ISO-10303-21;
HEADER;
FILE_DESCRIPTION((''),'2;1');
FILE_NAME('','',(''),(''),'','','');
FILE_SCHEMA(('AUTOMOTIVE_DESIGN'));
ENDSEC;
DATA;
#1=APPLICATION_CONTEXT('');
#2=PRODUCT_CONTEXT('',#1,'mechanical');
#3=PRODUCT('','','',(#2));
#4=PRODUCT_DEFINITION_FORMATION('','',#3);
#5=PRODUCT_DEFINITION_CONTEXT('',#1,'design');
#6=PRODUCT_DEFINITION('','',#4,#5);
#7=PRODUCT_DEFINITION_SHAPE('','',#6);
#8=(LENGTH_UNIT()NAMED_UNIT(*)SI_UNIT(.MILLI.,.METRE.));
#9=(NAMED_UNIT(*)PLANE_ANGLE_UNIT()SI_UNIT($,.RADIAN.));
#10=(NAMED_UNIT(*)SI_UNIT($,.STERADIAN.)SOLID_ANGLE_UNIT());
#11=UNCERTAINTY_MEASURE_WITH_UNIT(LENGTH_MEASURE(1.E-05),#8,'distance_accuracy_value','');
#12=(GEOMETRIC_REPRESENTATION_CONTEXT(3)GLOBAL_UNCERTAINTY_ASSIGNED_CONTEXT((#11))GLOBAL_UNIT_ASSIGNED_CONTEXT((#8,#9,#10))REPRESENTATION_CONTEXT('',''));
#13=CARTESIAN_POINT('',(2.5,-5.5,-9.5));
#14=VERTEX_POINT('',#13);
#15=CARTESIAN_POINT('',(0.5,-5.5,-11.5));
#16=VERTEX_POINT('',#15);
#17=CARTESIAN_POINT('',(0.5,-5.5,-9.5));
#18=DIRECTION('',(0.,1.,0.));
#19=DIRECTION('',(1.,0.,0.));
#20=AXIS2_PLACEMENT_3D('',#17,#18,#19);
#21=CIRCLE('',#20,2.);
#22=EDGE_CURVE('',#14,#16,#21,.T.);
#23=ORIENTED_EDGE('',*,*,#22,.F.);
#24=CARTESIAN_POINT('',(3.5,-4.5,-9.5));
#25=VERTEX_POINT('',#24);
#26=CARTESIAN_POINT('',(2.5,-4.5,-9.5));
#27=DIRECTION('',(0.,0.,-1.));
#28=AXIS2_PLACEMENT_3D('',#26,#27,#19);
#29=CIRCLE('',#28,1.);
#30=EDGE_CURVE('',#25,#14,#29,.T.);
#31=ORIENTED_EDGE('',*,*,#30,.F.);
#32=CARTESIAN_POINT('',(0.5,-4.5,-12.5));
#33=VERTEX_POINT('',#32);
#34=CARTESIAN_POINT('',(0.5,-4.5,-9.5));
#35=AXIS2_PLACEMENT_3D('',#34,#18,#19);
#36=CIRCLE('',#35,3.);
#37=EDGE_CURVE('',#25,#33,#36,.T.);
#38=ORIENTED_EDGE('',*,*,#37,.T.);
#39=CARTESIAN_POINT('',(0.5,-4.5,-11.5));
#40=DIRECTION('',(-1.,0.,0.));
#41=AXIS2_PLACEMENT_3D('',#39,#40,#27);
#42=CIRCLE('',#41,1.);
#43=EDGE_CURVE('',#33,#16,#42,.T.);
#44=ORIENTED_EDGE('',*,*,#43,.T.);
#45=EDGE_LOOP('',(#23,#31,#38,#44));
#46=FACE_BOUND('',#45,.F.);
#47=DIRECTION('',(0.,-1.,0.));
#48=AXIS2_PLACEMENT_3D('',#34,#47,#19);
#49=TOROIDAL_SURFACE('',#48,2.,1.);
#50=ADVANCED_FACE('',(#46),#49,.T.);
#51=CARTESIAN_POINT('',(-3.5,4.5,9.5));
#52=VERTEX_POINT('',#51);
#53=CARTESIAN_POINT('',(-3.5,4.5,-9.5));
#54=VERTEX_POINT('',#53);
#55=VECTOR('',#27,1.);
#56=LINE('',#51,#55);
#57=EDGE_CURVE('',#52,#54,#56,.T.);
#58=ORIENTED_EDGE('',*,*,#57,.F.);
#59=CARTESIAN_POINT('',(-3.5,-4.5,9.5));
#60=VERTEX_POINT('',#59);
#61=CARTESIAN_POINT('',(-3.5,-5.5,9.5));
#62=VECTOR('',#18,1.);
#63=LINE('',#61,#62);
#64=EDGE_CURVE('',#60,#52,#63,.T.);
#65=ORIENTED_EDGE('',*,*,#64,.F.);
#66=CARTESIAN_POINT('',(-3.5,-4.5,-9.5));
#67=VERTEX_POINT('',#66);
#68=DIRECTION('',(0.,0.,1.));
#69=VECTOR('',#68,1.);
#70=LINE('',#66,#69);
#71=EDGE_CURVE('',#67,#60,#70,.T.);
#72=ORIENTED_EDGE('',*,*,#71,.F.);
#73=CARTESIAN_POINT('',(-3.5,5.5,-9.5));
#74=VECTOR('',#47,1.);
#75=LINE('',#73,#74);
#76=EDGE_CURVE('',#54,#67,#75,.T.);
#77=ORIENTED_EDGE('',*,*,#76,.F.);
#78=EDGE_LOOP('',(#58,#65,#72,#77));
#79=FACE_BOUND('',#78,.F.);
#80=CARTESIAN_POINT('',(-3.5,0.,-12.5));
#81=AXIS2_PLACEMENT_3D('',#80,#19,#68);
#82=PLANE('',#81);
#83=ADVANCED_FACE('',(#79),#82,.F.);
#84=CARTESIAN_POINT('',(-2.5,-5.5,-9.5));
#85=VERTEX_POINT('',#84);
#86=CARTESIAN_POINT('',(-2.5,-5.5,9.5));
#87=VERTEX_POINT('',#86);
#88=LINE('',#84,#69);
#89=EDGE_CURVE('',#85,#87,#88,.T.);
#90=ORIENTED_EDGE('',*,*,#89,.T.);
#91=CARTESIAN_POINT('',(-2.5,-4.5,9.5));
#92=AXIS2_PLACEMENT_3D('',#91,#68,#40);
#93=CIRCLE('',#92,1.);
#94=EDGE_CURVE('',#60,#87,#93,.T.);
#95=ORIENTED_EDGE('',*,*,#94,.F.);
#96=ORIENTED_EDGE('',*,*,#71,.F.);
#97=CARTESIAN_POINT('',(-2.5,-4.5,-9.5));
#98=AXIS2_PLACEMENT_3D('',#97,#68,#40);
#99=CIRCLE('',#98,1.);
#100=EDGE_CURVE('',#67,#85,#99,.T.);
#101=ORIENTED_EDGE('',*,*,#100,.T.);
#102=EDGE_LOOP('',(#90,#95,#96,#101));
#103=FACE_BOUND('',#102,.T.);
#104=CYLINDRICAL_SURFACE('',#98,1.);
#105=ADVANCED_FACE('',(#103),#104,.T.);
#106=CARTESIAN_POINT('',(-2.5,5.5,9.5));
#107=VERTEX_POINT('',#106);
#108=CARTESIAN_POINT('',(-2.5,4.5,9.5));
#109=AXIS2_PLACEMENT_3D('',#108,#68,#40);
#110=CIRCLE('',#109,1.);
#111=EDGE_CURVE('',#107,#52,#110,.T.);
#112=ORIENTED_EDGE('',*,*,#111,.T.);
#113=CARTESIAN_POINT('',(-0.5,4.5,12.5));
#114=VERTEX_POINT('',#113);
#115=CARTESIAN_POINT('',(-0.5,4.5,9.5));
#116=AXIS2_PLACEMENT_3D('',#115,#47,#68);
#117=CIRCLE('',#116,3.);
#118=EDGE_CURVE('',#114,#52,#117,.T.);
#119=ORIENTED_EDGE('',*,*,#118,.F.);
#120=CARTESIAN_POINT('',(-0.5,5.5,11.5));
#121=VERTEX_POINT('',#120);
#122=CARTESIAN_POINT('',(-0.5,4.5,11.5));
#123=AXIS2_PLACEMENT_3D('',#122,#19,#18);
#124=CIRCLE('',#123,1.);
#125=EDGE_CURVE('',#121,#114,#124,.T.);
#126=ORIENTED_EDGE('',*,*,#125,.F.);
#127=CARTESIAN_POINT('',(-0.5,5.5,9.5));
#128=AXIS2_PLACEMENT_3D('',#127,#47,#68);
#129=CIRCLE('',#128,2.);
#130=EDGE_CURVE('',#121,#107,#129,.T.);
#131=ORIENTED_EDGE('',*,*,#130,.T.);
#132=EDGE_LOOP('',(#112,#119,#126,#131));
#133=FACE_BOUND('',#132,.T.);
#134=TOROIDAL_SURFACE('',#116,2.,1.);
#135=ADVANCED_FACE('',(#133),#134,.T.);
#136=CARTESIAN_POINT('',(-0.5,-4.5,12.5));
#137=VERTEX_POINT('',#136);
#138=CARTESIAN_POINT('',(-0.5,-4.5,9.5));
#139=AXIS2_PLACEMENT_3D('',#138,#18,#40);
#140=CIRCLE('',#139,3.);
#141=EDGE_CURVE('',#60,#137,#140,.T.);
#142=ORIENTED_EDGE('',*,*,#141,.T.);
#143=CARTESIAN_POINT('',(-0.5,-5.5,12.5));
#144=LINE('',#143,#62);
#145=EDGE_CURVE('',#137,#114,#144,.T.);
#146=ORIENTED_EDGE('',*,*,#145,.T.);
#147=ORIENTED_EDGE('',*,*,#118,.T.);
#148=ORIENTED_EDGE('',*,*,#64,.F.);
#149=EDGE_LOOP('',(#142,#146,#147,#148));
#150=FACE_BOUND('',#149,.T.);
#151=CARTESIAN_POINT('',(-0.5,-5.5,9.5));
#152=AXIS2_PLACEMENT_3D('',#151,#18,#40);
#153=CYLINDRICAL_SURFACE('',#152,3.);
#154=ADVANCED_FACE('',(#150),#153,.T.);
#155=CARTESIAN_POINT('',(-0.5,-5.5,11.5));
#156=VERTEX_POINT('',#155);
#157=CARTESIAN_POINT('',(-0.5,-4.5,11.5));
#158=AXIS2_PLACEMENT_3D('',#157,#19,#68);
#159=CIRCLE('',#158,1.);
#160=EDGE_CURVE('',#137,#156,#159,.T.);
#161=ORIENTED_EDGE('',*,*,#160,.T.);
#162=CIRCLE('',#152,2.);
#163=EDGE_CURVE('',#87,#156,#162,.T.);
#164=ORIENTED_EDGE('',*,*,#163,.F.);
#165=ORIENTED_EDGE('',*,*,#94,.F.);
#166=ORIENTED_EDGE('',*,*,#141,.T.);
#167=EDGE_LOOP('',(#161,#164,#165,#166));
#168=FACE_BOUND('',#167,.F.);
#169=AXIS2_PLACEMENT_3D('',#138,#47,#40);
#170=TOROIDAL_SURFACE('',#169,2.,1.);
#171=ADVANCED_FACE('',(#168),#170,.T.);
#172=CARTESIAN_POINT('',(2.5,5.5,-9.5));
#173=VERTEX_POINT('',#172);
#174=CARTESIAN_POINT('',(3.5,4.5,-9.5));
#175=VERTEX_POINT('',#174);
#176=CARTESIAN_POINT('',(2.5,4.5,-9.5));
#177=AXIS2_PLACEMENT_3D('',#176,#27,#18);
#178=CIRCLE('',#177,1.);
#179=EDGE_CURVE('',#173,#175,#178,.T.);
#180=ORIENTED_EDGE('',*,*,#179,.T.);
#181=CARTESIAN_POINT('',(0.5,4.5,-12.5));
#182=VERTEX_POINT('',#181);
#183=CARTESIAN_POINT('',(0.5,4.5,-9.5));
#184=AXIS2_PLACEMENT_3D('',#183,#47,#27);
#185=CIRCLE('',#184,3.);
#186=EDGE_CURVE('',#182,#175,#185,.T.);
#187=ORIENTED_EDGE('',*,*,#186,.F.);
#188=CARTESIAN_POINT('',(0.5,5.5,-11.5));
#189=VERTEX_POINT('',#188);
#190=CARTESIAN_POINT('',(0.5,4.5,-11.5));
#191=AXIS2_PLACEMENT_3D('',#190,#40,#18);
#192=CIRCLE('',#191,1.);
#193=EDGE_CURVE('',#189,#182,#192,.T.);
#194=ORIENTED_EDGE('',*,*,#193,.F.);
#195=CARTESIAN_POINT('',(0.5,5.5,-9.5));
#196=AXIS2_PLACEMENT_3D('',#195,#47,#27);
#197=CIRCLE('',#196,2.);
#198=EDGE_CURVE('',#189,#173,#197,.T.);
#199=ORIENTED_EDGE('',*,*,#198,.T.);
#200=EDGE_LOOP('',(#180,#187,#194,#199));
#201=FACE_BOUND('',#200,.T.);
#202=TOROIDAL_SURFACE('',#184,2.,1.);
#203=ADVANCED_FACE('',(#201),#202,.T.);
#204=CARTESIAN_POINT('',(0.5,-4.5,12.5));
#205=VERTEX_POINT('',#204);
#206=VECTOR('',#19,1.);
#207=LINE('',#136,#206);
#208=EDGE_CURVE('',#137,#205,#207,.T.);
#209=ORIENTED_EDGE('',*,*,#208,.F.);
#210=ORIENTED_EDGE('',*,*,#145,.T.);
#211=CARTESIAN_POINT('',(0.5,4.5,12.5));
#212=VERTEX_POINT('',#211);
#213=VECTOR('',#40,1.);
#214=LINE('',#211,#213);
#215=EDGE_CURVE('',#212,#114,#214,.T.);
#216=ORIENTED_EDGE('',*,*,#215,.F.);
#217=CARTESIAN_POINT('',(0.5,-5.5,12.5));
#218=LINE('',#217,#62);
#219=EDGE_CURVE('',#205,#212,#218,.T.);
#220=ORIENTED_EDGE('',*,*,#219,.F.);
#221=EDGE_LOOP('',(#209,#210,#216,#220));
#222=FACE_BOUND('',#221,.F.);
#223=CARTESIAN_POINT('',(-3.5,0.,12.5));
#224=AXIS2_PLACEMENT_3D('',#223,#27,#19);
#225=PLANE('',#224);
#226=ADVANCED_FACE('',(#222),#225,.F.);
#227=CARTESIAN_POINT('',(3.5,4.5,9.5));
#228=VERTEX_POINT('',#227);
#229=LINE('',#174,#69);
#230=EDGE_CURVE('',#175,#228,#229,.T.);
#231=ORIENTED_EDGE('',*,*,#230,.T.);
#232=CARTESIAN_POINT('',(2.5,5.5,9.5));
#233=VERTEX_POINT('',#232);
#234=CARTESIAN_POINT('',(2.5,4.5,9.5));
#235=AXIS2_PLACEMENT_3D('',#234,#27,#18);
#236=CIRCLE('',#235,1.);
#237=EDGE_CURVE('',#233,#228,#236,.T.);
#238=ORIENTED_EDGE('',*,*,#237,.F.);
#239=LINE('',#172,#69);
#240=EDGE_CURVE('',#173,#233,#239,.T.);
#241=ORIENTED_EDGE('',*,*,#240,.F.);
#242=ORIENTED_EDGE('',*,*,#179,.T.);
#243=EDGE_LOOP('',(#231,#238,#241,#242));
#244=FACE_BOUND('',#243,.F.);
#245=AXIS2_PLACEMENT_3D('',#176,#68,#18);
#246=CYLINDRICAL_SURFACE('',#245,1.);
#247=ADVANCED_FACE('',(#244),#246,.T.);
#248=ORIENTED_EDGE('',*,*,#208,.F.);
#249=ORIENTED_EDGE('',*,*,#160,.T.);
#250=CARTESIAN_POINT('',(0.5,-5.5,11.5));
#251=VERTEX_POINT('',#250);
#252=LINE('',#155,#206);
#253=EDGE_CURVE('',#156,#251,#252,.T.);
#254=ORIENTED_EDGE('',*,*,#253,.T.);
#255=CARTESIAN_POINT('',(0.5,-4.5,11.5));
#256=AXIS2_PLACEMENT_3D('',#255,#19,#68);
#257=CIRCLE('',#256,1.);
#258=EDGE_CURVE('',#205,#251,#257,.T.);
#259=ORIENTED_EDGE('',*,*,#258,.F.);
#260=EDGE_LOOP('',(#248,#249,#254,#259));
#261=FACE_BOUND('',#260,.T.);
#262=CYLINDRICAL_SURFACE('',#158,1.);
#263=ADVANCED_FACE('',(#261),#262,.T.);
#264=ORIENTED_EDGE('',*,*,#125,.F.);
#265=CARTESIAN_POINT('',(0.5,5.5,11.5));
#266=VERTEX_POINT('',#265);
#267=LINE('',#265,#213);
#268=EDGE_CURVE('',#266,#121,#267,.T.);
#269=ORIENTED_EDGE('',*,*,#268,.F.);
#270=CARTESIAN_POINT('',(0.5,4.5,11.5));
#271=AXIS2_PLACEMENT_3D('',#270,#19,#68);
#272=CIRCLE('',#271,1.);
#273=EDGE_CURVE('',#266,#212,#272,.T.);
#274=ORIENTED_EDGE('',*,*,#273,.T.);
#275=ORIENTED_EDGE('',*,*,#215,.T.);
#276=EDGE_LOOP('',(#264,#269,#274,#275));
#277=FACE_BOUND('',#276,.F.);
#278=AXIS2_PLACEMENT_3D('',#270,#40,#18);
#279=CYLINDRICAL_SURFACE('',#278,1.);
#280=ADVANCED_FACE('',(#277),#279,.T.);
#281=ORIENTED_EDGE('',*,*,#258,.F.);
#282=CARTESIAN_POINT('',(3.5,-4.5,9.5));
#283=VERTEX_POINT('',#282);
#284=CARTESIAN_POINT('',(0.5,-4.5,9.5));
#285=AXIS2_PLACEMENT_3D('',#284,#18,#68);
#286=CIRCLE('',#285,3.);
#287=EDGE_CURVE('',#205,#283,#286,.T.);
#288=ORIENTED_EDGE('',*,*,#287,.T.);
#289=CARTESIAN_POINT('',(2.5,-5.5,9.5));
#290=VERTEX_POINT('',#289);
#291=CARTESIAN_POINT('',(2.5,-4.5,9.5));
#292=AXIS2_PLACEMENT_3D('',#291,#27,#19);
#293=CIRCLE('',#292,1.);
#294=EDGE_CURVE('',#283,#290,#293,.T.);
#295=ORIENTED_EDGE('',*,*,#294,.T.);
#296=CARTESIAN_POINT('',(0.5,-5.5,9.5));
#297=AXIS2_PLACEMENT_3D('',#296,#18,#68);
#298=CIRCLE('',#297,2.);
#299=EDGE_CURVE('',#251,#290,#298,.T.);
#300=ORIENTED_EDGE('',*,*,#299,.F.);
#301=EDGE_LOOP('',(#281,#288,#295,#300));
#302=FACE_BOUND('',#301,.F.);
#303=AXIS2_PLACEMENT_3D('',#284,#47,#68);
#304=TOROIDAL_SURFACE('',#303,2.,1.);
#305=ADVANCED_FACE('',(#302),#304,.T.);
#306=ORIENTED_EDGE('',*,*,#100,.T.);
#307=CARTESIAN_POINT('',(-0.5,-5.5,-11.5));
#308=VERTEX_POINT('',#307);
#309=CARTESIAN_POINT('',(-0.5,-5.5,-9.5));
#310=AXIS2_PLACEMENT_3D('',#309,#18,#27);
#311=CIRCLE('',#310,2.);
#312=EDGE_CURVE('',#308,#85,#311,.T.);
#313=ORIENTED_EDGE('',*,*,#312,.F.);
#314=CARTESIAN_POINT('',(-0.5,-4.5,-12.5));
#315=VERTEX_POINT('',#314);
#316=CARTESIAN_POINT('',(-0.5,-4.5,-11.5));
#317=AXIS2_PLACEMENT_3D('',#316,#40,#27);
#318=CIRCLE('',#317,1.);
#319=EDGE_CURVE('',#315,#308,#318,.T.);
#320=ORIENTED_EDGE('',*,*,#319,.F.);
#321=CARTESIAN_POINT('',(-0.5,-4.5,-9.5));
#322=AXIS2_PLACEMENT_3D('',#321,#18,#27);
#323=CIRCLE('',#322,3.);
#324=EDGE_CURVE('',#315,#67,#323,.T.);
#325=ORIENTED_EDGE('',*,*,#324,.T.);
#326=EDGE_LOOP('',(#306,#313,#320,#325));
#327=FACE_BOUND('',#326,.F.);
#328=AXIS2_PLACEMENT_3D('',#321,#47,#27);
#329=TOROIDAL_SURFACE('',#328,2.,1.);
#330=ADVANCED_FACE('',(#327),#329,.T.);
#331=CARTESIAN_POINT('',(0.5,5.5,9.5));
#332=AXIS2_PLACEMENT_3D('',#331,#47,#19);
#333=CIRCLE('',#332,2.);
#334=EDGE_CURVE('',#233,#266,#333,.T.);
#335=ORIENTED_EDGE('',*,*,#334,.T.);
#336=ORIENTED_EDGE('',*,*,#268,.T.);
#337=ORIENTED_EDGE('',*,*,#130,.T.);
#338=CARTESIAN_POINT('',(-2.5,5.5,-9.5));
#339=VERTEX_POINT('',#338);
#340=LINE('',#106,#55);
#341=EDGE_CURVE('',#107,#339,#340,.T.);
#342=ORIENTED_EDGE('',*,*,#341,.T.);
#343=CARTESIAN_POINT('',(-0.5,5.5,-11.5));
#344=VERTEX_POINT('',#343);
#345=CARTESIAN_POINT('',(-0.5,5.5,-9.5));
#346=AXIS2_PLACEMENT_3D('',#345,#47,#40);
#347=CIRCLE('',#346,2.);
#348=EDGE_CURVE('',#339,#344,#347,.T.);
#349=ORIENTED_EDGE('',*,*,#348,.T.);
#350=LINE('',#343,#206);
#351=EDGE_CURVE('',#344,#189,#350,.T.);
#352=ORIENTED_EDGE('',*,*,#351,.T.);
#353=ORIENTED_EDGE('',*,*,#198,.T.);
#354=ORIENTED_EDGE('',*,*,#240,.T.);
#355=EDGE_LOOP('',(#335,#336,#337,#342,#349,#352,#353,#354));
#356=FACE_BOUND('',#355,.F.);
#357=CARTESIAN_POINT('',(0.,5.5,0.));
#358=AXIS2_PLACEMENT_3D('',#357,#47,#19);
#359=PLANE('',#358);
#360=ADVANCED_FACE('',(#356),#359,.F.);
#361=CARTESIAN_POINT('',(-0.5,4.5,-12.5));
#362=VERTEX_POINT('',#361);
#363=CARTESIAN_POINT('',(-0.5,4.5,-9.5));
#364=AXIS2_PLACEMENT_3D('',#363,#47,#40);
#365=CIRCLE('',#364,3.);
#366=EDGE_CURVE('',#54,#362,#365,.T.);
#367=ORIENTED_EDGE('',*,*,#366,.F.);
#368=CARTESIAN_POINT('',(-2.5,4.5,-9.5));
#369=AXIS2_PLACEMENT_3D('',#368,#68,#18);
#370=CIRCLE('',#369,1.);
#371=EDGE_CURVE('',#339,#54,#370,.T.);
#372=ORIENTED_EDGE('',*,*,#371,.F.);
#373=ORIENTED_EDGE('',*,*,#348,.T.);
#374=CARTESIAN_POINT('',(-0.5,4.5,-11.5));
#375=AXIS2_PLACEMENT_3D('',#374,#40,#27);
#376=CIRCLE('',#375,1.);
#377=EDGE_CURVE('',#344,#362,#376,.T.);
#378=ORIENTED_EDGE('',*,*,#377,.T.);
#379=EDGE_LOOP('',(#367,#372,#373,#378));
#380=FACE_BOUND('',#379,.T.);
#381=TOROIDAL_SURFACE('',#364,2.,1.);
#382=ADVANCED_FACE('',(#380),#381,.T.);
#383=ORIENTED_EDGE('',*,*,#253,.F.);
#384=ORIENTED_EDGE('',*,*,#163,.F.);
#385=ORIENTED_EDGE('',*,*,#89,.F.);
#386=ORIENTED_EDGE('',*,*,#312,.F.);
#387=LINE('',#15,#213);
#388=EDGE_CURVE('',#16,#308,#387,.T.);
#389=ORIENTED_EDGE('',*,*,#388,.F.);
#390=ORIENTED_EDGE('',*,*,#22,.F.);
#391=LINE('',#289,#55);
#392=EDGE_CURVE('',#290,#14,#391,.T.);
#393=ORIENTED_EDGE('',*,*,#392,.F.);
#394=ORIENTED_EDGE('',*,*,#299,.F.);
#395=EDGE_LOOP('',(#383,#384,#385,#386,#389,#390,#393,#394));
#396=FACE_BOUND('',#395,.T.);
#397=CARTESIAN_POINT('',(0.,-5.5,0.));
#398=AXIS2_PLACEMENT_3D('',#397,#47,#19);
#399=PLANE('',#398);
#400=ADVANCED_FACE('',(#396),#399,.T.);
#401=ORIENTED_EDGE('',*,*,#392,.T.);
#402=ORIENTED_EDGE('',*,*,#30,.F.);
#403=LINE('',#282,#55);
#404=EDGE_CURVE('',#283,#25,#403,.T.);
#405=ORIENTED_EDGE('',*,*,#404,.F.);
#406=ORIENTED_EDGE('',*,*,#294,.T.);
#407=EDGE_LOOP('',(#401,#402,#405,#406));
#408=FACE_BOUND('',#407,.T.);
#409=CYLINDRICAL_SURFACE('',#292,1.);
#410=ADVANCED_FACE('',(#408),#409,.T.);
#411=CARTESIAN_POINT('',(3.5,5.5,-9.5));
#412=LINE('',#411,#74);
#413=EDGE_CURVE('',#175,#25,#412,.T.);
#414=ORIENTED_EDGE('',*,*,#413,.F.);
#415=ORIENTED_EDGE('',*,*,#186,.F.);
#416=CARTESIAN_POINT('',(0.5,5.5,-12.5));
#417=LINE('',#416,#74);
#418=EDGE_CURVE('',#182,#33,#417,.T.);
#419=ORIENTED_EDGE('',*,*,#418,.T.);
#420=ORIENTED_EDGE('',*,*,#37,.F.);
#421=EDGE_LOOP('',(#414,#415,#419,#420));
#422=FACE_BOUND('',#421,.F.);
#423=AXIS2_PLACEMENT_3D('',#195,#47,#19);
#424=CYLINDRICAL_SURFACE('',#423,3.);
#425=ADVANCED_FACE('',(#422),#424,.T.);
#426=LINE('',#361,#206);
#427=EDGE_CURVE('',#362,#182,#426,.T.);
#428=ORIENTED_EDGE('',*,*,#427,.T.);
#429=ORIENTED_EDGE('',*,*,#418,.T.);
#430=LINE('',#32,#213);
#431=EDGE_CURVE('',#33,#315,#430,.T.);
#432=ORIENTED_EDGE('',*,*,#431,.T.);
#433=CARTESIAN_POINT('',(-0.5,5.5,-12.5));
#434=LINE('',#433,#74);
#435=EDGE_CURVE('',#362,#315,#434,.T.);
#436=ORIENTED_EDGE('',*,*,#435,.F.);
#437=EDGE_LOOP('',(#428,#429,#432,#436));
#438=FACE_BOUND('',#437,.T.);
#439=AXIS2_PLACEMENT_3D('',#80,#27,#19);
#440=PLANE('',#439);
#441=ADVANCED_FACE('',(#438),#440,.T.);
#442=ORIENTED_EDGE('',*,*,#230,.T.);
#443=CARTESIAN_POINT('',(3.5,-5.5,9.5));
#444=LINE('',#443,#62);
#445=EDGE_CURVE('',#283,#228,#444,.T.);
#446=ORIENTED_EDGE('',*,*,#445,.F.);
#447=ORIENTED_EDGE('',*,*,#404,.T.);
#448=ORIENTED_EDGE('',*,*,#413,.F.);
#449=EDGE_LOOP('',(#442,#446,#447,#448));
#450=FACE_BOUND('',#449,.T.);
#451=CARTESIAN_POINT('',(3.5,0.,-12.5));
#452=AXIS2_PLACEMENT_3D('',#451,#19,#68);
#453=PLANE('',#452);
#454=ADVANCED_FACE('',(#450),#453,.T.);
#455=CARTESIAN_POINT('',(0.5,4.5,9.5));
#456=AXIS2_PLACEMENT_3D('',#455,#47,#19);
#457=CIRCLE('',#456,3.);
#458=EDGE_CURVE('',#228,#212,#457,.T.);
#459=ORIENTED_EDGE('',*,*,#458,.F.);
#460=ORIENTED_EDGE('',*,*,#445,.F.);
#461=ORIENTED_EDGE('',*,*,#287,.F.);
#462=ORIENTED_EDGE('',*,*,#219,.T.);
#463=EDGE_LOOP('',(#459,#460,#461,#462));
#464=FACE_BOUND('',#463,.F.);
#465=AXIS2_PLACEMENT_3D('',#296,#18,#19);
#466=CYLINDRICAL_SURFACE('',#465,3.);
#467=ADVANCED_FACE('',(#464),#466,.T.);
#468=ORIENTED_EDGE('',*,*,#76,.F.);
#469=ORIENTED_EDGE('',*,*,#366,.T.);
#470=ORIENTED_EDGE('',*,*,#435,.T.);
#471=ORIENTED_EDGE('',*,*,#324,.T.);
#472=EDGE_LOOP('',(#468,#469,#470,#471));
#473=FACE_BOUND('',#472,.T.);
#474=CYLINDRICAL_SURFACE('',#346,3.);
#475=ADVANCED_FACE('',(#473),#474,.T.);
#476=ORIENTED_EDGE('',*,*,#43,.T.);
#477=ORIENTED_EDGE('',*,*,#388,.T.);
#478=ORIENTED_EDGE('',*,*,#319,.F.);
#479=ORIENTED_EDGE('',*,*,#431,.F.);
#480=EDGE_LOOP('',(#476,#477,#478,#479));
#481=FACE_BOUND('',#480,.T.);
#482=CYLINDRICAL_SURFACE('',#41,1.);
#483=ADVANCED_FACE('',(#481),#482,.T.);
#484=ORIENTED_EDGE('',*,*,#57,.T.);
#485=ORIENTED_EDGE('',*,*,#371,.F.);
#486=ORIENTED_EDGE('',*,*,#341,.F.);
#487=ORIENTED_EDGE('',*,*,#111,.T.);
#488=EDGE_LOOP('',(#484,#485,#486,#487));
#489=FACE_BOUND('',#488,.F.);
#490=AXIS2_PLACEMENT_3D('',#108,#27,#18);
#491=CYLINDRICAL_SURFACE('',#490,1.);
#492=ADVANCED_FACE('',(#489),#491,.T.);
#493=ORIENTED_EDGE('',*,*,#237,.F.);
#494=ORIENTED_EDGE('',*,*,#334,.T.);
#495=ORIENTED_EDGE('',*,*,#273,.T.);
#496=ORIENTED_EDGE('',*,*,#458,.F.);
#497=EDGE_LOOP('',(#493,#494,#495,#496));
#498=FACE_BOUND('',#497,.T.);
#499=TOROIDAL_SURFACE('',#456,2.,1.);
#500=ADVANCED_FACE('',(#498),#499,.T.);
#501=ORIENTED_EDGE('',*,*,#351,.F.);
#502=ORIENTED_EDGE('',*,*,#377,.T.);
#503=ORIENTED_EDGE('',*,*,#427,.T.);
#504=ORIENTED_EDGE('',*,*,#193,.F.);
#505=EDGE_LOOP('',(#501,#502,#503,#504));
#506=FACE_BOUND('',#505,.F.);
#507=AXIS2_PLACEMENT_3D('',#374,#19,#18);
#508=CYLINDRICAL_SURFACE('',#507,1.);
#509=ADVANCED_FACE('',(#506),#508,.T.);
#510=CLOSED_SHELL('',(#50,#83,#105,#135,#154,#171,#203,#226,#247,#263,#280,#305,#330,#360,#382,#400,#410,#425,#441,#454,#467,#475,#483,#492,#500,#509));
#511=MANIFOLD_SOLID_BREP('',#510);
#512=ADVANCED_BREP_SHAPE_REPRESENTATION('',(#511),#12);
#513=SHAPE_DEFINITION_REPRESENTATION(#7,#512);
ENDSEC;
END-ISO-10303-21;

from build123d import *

# Parameters (mm, degrees)
F0_W     = 7
F0_H     = 25
F1_DEPTH = 5.5
F2_R     = 3
F3_R     = 1


with BuildPart() as f1:
    # F0 (on Front) → F1 (new body, symmetric)
    with BuildSketch(Plane.XZ):
        Rectangle(F0_W, F0_H)
    extrude(amount=F1_DEPTH, both=True)

    # F2
    f2_edges = [f1.edges().sort_by_distance(p)[0] for p in [
        (3.5, 0, 12.5),
        (-3.5, 0, 12.5),
        (3.5, 0, -12.5),
        (-3.5, 0, -12.5),
    ]]
    fillet(f2_edges, radius=F2_R)

    # F3
    f3_edges = [f1.edges().sort_by_distance(p)[0] for p in [
        (-3.5, -5.5, 0),
        (3.5, -5.5, 0),
        (-2.62132, -5.5, -11.62132),
        (2.62132, -5.5, 11.62132),
        (0, -5.5, -12.5),
        (-2.62132, -5.5, 11.62132),
        (0, -5.5, 12.5),
        (3.5, 5.5, 0),
        (-3.5, 5.5, 0),
        (0, 5.5, -12.5),
        (-2.62132, 5.5, -11.62132),
        (2.62132, 5.5, -11.62132),
        (-2.62132, 5.5, 11.62132),
        (2.62132, 5.5, 11.62132),
        (0, 5.5, 12.5),
    ]]
    fillet(f3_edges, radius=F3_R)


solid = f1.part
